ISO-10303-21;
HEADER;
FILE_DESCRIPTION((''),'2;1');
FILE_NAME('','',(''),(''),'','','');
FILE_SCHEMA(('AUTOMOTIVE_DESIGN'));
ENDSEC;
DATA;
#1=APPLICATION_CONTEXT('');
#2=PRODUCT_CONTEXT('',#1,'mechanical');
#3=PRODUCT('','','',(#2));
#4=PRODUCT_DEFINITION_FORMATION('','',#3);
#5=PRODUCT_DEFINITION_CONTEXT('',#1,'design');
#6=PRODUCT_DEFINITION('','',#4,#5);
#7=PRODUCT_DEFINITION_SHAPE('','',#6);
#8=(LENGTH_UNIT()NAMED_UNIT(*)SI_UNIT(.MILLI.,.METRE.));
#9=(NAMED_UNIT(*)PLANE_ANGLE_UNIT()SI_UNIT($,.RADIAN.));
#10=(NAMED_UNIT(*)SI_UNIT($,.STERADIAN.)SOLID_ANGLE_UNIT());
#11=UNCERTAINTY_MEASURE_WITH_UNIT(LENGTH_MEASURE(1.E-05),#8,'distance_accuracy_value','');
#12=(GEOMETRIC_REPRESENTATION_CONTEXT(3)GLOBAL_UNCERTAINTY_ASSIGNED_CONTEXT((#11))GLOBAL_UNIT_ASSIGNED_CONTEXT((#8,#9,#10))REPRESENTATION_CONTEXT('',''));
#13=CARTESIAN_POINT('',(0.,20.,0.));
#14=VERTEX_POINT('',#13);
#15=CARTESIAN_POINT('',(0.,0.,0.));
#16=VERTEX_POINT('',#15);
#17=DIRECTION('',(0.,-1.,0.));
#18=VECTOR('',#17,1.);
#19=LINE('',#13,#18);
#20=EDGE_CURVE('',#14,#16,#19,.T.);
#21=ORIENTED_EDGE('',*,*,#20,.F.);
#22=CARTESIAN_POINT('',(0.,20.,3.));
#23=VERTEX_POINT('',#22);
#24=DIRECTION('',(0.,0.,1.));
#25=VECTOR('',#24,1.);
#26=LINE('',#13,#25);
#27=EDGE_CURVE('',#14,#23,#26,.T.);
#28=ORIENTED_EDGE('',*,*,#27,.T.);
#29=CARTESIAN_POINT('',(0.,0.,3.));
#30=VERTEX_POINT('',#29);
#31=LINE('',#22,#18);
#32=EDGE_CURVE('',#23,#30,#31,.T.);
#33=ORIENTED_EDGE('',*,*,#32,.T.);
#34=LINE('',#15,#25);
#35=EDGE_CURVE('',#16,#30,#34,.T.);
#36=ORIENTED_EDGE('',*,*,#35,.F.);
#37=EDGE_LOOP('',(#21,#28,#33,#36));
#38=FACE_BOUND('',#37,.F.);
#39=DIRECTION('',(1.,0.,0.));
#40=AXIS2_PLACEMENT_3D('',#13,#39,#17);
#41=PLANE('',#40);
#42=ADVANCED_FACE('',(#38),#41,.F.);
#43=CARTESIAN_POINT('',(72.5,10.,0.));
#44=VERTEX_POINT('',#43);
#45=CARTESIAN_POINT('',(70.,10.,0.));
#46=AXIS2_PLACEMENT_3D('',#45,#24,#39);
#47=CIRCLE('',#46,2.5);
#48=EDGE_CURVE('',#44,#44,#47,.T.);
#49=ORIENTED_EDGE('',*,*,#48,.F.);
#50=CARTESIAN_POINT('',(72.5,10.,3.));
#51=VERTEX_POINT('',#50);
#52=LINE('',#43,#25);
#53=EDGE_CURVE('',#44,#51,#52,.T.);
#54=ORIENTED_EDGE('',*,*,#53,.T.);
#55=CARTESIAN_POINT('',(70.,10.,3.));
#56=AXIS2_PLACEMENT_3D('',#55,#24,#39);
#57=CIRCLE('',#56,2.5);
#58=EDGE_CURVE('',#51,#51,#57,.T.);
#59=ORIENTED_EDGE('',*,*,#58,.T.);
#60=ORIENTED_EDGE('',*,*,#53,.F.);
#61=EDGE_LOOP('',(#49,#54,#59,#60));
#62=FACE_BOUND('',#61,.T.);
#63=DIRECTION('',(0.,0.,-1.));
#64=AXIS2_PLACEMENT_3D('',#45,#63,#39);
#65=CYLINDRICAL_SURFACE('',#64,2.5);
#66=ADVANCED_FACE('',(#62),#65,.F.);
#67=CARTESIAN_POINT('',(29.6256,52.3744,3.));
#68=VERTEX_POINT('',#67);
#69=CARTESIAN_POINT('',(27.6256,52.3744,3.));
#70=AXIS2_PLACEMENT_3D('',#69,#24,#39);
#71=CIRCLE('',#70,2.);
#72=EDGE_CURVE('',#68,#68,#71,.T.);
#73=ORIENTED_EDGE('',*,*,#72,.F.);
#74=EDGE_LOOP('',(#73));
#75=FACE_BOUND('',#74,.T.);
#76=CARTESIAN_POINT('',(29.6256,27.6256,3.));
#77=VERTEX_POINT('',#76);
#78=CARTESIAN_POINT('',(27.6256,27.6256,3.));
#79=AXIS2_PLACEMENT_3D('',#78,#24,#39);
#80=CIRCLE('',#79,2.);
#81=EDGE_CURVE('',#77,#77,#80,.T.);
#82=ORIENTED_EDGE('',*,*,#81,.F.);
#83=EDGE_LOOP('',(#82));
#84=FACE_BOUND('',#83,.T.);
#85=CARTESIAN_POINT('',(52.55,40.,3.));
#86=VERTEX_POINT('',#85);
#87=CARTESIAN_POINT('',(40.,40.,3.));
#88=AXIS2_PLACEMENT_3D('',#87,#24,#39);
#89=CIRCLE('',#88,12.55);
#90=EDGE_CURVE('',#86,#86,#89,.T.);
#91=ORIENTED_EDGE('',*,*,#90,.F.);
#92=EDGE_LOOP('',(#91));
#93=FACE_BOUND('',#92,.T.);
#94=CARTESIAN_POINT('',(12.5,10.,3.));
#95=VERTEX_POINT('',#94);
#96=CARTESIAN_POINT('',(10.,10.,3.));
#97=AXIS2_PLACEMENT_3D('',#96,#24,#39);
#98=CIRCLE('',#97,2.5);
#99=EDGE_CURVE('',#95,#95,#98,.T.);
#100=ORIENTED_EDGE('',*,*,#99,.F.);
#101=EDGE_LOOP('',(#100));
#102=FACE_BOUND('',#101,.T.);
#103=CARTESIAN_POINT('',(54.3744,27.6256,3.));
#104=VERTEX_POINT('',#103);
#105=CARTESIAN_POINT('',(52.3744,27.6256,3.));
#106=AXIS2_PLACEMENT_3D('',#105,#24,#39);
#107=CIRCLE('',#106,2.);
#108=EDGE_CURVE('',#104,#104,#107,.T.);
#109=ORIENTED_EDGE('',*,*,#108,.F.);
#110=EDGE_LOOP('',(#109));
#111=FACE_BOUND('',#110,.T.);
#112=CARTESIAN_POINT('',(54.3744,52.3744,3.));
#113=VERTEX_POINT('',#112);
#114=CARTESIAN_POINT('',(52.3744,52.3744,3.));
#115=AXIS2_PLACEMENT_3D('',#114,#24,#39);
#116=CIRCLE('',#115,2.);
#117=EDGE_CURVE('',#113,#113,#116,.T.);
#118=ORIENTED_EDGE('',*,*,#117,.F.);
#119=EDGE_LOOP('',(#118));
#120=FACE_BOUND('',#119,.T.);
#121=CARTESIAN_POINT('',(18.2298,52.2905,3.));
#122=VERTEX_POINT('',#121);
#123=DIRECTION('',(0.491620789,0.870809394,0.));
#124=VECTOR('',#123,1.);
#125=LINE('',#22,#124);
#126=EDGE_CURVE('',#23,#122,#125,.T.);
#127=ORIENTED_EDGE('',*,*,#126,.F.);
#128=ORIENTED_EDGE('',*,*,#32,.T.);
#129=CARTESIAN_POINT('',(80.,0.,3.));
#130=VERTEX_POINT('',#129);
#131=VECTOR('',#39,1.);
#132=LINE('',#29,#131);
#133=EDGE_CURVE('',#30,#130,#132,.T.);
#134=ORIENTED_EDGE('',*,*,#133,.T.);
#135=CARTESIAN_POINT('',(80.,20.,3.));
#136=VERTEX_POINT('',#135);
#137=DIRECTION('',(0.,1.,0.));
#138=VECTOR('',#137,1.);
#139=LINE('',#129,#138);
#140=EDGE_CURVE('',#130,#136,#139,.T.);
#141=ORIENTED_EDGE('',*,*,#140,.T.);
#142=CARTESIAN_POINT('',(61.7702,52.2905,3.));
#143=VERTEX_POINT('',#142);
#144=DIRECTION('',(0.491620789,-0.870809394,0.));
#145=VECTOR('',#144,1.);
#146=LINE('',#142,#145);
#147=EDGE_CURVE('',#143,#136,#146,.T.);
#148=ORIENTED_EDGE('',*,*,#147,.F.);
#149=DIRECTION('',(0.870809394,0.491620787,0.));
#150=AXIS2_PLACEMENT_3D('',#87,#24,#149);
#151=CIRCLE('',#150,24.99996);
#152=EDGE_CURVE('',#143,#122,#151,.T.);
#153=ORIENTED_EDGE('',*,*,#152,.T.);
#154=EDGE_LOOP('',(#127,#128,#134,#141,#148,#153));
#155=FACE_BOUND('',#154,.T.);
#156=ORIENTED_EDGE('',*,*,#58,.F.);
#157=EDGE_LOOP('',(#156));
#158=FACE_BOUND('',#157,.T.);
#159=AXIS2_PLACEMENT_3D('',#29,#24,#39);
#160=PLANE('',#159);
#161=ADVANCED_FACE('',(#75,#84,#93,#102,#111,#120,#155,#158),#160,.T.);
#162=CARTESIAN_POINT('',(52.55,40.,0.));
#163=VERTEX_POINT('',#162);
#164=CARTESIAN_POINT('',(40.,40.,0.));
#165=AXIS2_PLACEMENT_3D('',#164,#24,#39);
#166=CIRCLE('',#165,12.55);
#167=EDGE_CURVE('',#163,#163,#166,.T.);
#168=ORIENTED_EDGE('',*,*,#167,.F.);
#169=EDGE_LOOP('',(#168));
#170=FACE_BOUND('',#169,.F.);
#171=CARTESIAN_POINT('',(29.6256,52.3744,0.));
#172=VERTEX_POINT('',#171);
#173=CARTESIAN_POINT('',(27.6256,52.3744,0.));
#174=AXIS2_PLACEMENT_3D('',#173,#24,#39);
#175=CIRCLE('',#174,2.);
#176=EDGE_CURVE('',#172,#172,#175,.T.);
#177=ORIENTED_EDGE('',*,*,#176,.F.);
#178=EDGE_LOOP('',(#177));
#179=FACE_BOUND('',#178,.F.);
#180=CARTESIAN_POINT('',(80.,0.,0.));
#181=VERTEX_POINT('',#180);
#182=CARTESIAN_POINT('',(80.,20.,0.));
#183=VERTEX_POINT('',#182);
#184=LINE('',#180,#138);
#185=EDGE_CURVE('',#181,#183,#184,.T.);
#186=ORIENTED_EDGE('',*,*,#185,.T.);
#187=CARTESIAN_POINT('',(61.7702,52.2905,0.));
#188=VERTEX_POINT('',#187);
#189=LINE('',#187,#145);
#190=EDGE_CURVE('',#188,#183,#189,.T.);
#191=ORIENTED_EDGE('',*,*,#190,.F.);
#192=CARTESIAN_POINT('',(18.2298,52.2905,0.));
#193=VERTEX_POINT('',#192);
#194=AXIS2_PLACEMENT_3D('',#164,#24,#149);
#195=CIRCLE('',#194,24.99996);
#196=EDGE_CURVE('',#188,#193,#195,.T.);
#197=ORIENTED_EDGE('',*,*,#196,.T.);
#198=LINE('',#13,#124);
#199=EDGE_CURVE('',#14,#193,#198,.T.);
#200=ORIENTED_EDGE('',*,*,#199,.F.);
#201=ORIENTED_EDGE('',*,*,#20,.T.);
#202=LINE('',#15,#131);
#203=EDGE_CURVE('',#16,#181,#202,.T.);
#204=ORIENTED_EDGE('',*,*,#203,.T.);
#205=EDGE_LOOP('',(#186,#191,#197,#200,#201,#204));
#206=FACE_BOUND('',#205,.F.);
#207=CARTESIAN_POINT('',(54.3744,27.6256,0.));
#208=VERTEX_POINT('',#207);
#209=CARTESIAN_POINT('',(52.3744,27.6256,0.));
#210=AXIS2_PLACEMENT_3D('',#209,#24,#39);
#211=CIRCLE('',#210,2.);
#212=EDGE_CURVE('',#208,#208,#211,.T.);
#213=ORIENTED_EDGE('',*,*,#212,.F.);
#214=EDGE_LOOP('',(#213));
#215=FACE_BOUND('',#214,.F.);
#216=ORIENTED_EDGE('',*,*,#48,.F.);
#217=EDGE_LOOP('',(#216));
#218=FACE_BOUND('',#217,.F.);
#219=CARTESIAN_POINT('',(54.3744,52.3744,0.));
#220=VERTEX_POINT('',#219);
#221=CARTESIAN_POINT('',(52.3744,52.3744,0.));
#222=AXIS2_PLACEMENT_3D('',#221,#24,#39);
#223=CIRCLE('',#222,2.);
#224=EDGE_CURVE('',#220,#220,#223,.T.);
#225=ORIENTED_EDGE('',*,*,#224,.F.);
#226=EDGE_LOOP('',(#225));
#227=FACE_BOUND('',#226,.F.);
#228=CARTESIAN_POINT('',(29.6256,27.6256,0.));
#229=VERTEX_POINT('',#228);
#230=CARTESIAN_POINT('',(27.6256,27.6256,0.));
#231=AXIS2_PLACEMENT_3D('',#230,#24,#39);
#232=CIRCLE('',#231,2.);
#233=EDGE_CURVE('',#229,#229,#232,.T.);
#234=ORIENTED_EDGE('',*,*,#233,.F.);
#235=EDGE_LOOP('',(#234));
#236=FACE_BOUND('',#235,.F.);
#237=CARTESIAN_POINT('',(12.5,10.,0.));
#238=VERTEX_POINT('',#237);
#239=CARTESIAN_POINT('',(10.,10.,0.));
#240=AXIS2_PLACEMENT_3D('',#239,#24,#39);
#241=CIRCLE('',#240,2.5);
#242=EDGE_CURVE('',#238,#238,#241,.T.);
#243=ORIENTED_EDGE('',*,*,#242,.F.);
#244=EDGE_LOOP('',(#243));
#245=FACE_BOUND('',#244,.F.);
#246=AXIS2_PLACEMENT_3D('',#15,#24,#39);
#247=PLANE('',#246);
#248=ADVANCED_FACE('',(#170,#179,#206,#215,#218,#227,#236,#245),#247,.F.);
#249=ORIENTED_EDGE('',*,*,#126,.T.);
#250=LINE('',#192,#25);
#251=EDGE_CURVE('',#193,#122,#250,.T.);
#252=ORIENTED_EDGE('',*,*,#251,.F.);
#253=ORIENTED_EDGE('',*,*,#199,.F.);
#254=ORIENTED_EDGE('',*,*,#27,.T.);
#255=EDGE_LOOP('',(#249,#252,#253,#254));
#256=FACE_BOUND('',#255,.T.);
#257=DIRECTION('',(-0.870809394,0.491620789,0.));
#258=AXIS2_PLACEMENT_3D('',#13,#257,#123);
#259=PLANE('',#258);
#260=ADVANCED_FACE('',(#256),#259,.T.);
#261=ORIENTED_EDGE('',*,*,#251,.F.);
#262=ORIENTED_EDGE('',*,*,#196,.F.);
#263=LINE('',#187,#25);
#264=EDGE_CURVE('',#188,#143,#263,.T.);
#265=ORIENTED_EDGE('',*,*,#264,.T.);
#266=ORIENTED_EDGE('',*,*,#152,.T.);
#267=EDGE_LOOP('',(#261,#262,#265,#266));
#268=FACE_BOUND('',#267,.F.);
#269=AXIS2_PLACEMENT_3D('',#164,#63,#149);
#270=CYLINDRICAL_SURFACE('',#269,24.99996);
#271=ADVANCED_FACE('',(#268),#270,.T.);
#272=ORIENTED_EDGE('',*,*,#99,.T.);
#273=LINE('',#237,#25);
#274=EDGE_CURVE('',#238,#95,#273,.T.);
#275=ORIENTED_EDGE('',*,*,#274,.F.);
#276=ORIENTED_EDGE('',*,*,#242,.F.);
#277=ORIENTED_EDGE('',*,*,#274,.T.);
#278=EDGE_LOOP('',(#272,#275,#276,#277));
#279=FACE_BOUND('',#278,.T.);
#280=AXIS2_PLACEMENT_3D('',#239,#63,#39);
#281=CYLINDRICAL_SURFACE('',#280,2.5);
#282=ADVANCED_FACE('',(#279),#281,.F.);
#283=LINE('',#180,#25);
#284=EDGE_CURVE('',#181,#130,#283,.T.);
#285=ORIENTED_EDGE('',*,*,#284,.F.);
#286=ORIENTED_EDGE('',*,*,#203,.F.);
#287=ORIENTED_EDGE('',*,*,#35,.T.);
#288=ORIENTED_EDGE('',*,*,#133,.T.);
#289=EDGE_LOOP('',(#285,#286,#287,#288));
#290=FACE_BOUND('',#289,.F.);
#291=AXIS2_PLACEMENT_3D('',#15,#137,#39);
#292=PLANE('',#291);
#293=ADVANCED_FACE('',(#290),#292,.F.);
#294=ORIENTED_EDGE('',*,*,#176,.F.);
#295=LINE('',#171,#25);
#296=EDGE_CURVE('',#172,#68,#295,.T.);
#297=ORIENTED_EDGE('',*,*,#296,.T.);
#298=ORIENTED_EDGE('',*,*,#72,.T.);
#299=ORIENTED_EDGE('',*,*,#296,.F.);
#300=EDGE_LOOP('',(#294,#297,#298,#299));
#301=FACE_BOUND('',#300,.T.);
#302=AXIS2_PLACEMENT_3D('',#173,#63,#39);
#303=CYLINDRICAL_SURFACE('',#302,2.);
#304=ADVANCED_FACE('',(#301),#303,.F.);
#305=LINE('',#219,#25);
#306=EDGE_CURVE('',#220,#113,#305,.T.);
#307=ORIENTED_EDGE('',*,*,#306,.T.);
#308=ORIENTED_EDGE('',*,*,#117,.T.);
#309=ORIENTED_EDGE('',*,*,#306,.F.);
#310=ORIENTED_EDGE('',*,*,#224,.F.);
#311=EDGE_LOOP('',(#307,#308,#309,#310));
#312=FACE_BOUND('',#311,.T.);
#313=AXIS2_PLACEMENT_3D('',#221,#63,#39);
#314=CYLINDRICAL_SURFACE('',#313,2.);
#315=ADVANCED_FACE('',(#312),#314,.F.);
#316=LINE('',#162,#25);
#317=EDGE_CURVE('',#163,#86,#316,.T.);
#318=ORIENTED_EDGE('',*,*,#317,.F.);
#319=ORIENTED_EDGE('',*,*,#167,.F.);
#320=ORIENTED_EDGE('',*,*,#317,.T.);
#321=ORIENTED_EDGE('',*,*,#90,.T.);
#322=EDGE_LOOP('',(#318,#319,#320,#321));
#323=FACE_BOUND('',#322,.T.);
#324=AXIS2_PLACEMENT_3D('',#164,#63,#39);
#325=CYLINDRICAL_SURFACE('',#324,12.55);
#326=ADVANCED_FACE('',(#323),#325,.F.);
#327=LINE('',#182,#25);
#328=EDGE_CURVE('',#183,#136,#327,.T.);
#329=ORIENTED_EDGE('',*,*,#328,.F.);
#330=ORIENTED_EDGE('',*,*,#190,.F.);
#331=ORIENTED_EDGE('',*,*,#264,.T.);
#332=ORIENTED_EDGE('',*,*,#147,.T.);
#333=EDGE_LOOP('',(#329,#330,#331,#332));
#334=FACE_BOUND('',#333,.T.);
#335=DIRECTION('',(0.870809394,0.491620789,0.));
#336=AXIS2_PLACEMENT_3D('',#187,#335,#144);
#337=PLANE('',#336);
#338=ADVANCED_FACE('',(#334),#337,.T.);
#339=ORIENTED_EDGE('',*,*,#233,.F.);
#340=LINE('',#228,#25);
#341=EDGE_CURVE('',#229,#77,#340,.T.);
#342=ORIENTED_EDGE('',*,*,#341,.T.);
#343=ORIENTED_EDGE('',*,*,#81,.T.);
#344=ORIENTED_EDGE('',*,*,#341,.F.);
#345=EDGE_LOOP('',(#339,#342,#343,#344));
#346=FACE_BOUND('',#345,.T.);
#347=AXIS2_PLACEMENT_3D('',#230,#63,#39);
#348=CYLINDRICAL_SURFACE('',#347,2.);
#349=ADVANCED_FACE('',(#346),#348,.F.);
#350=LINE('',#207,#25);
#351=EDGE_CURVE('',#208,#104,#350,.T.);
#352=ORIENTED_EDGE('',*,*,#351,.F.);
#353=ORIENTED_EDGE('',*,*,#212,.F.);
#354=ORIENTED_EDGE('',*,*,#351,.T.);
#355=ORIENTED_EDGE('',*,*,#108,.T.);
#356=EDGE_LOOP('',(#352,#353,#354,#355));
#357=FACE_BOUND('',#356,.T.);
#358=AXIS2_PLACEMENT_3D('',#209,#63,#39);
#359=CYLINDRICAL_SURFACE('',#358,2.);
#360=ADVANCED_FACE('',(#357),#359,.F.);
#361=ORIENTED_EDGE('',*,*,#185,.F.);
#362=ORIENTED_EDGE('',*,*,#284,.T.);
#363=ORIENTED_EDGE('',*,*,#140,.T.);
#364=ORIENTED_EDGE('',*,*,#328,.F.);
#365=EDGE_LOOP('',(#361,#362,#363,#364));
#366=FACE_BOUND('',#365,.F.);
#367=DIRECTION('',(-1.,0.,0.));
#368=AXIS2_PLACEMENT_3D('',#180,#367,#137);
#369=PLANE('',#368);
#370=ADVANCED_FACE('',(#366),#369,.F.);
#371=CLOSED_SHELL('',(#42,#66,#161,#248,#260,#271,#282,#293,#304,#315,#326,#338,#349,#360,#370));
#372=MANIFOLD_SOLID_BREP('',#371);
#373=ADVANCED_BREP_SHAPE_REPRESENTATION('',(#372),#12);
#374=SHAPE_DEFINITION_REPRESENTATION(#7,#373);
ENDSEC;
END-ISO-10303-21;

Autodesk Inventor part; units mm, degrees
ref_plane "YZ Plane" through (0, 0, 0) normal (1, 0, 0) x (0, 1, 0)
ref_plane "XZ Plane" through (0, 0, 0) normal (0, 1, 0) x (-1, 0, 0)
ref_plane "XY Plane" through (0, 0, 0) normal (0, 0, 1) x (1, 0, 0)
sketch "スケッチ1" plane through (0, 0, 0) normal (0, 0, 1) x (1, 0, 0)
  line L0 (0, 0) -> (80, 0)
  line L1 (80, 0) -> (80, 20)
  line L2 (40, 0) -> (40, 90.8523) construction
  line L3 (0, 20) -> (0, 0)
  line L4 (0, 20) -> (18.2298, 52.2905)
  line L5 (61.7702, 52.2905) -> (80, 20)
  arc A0 (61.7702, 52.2905) -> (18.2298, 52.2905) centre (40, 40) ccw
  circle A1 centre (40, 40) radius 12.55
  line L6 (0, 10) -> (80, 10) construction
  circle A2 centre (10, 10) radius 2.5
  circle A3 centre (70, 10) radius 2.5
  circle A4 centre (40, 40) radius 17.5 construction
  line L7 (0, 20) -> (80, 20) construction
  line L8 (40, 40) -> (52.3744, 52.3744) construction
  circle A5 centre (52.3744, 52.3744) radius 2
  circle A6 centre (27.6256, 52.3744) radius 2
  circle A7 centre (27.6256, 27.6256) radius 2
  circle A8 centre (52.3744, 27.6256) radius 2
  dimension "d11" = 35
  dimension "d0" = 20
  dimension "d2" = 80
  dimension "d3" = 25
  dimension "d4" = 40
  dimension "d5" = 25.1
  dimension "d6" = 5
  dimension "d7" = 10
  dimension "d17" = 45
  dimension "d18" = 4
  dimension "d21" = 360
extrude "押し出し2" add sketch "スケッチ1" along normal blind 3
properties part number "車軸受け板"
